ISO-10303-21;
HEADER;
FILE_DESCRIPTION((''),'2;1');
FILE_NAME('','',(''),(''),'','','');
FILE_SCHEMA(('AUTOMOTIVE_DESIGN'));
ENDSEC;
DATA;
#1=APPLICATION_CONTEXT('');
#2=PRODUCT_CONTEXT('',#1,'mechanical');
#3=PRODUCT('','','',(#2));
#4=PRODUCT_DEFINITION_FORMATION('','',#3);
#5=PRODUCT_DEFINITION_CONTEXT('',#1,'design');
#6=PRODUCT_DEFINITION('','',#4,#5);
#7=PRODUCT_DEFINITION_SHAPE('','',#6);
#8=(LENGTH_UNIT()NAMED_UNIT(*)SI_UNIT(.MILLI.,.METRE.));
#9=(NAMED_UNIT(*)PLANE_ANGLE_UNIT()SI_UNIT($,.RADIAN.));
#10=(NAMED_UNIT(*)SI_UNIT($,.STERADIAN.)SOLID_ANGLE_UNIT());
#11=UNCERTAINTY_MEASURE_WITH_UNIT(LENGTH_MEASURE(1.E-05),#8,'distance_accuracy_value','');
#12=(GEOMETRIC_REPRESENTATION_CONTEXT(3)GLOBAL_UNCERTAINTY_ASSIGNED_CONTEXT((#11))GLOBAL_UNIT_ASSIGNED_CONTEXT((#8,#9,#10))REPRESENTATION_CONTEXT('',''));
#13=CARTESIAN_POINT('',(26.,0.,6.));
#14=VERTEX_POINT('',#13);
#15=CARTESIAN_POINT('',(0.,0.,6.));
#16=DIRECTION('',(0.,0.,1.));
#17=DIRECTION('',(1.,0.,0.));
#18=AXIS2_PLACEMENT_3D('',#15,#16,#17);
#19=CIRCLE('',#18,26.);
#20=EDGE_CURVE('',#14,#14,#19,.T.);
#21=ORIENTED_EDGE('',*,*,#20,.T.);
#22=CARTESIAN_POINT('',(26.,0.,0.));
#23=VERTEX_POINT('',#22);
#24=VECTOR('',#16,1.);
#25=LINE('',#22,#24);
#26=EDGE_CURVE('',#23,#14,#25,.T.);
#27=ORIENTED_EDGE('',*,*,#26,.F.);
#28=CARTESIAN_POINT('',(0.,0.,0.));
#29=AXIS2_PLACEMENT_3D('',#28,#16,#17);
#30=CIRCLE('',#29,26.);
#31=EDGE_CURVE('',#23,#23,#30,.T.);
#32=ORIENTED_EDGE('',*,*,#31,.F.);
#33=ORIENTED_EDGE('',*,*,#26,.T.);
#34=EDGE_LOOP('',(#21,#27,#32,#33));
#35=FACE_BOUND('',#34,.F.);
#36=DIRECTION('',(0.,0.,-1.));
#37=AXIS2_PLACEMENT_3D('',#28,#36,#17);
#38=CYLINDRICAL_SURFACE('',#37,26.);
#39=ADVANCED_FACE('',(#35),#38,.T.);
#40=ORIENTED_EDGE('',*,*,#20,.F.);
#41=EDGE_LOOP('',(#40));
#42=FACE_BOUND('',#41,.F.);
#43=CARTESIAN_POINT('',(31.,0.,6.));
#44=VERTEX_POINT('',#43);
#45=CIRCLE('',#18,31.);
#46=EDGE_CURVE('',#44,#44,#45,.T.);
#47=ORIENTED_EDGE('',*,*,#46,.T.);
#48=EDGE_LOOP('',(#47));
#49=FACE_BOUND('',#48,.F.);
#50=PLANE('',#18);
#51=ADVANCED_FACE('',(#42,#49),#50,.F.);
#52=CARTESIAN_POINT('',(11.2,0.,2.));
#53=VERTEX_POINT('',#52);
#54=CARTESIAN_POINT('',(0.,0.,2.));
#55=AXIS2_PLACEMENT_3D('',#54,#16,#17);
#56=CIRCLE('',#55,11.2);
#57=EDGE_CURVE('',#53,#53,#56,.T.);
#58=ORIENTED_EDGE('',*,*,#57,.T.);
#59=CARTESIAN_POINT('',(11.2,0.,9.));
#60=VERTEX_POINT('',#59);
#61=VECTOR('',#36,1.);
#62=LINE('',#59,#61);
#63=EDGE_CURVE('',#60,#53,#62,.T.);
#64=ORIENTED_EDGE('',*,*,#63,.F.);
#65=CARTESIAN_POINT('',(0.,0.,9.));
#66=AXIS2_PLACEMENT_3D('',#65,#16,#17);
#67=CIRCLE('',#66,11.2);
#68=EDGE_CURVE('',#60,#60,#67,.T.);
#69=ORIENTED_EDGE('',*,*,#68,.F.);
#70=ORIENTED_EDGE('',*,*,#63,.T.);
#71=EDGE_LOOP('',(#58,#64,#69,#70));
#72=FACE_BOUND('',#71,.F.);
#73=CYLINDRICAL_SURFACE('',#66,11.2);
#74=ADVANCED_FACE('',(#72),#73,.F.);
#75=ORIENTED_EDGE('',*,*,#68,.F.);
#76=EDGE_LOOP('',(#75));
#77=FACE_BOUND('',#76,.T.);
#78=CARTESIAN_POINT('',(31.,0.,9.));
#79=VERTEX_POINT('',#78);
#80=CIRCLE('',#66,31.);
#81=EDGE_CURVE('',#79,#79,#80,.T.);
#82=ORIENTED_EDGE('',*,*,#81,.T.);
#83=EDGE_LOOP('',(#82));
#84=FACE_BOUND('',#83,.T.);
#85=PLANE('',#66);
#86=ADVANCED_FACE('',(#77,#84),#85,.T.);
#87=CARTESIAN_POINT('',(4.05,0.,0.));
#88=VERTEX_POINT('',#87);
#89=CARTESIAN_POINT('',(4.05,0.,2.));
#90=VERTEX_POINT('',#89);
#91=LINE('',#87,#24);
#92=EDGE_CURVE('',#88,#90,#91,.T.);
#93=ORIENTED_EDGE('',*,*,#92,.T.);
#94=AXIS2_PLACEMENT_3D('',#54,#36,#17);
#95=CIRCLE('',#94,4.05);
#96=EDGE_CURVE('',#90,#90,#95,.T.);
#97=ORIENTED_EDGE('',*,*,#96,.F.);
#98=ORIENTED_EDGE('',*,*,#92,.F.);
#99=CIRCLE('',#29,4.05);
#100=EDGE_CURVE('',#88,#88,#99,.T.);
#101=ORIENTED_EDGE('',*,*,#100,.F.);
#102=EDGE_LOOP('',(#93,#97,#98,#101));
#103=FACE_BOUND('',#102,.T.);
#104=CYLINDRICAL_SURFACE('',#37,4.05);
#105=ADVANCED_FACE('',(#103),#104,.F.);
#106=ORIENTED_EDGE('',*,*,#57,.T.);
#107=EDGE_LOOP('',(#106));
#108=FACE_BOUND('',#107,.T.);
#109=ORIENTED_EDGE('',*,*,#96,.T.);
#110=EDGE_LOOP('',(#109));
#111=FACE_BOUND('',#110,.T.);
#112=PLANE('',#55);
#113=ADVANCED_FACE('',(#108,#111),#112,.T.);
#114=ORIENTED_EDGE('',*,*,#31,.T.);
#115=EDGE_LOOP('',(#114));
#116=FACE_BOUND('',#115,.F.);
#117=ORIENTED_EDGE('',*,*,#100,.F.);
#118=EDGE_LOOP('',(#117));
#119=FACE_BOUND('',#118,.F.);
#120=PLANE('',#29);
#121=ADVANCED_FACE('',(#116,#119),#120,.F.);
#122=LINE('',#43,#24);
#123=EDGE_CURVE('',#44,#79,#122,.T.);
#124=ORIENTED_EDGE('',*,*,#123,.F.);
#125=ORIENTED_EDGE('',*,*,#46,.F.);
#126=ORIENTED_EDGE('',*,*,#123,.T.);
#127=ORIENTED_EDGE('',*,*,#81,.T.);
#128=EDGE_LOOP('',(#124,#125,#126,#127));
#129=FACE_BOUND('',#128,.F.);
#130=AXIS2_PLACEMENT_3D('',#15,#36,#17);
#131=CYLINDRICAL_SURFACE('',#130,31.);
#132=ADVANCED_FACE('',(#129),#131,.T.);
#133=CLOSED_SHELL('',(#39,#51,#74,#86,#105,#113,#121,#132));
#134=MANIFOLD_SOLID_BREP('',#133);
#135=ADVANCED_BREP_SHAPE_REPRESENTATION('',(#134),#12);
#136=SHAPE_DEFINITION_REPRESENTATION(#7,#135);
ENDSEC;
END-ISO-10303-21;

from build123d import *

# Parameters (mm, degrees)
SKETCH_R     = 26
SKETCH_R_2   = 4.05
PAD_DEPTH    = 6
SKETCH001_R  = 31
PAD001_DEPTH = 3
SKETCH002_R  = 11.2
POCKET_DEPTH = 7


with BuildPart() as part:
    # Sketch → Pad (new body)
    with BuildSketch(Plane.XY):
        Circle(SKETCH_R)
        Circle(SKETCH_R_2, mode=Mode.SUBTRACT)
    extrude(amount=PAD_DEPTH)

    # Sketch001 (on Face4 of Pad) → Pad001 (join)
    with BuildSketch(Plane.XY.offset(6)):
        Circle(SKETCH001_R)
    extrude(amount=PAD001_DEPTH)

    # Sketch002 (on Face3 of Pad001) → Pocket (cut)
    with BuildSketch(Plane.XY.offset(9)):
        Circle(SKETCH002_R)
    extrude(amount=-POCKET_DEPTH, mode=Mode.SUBTRACT)


solid = part.part
